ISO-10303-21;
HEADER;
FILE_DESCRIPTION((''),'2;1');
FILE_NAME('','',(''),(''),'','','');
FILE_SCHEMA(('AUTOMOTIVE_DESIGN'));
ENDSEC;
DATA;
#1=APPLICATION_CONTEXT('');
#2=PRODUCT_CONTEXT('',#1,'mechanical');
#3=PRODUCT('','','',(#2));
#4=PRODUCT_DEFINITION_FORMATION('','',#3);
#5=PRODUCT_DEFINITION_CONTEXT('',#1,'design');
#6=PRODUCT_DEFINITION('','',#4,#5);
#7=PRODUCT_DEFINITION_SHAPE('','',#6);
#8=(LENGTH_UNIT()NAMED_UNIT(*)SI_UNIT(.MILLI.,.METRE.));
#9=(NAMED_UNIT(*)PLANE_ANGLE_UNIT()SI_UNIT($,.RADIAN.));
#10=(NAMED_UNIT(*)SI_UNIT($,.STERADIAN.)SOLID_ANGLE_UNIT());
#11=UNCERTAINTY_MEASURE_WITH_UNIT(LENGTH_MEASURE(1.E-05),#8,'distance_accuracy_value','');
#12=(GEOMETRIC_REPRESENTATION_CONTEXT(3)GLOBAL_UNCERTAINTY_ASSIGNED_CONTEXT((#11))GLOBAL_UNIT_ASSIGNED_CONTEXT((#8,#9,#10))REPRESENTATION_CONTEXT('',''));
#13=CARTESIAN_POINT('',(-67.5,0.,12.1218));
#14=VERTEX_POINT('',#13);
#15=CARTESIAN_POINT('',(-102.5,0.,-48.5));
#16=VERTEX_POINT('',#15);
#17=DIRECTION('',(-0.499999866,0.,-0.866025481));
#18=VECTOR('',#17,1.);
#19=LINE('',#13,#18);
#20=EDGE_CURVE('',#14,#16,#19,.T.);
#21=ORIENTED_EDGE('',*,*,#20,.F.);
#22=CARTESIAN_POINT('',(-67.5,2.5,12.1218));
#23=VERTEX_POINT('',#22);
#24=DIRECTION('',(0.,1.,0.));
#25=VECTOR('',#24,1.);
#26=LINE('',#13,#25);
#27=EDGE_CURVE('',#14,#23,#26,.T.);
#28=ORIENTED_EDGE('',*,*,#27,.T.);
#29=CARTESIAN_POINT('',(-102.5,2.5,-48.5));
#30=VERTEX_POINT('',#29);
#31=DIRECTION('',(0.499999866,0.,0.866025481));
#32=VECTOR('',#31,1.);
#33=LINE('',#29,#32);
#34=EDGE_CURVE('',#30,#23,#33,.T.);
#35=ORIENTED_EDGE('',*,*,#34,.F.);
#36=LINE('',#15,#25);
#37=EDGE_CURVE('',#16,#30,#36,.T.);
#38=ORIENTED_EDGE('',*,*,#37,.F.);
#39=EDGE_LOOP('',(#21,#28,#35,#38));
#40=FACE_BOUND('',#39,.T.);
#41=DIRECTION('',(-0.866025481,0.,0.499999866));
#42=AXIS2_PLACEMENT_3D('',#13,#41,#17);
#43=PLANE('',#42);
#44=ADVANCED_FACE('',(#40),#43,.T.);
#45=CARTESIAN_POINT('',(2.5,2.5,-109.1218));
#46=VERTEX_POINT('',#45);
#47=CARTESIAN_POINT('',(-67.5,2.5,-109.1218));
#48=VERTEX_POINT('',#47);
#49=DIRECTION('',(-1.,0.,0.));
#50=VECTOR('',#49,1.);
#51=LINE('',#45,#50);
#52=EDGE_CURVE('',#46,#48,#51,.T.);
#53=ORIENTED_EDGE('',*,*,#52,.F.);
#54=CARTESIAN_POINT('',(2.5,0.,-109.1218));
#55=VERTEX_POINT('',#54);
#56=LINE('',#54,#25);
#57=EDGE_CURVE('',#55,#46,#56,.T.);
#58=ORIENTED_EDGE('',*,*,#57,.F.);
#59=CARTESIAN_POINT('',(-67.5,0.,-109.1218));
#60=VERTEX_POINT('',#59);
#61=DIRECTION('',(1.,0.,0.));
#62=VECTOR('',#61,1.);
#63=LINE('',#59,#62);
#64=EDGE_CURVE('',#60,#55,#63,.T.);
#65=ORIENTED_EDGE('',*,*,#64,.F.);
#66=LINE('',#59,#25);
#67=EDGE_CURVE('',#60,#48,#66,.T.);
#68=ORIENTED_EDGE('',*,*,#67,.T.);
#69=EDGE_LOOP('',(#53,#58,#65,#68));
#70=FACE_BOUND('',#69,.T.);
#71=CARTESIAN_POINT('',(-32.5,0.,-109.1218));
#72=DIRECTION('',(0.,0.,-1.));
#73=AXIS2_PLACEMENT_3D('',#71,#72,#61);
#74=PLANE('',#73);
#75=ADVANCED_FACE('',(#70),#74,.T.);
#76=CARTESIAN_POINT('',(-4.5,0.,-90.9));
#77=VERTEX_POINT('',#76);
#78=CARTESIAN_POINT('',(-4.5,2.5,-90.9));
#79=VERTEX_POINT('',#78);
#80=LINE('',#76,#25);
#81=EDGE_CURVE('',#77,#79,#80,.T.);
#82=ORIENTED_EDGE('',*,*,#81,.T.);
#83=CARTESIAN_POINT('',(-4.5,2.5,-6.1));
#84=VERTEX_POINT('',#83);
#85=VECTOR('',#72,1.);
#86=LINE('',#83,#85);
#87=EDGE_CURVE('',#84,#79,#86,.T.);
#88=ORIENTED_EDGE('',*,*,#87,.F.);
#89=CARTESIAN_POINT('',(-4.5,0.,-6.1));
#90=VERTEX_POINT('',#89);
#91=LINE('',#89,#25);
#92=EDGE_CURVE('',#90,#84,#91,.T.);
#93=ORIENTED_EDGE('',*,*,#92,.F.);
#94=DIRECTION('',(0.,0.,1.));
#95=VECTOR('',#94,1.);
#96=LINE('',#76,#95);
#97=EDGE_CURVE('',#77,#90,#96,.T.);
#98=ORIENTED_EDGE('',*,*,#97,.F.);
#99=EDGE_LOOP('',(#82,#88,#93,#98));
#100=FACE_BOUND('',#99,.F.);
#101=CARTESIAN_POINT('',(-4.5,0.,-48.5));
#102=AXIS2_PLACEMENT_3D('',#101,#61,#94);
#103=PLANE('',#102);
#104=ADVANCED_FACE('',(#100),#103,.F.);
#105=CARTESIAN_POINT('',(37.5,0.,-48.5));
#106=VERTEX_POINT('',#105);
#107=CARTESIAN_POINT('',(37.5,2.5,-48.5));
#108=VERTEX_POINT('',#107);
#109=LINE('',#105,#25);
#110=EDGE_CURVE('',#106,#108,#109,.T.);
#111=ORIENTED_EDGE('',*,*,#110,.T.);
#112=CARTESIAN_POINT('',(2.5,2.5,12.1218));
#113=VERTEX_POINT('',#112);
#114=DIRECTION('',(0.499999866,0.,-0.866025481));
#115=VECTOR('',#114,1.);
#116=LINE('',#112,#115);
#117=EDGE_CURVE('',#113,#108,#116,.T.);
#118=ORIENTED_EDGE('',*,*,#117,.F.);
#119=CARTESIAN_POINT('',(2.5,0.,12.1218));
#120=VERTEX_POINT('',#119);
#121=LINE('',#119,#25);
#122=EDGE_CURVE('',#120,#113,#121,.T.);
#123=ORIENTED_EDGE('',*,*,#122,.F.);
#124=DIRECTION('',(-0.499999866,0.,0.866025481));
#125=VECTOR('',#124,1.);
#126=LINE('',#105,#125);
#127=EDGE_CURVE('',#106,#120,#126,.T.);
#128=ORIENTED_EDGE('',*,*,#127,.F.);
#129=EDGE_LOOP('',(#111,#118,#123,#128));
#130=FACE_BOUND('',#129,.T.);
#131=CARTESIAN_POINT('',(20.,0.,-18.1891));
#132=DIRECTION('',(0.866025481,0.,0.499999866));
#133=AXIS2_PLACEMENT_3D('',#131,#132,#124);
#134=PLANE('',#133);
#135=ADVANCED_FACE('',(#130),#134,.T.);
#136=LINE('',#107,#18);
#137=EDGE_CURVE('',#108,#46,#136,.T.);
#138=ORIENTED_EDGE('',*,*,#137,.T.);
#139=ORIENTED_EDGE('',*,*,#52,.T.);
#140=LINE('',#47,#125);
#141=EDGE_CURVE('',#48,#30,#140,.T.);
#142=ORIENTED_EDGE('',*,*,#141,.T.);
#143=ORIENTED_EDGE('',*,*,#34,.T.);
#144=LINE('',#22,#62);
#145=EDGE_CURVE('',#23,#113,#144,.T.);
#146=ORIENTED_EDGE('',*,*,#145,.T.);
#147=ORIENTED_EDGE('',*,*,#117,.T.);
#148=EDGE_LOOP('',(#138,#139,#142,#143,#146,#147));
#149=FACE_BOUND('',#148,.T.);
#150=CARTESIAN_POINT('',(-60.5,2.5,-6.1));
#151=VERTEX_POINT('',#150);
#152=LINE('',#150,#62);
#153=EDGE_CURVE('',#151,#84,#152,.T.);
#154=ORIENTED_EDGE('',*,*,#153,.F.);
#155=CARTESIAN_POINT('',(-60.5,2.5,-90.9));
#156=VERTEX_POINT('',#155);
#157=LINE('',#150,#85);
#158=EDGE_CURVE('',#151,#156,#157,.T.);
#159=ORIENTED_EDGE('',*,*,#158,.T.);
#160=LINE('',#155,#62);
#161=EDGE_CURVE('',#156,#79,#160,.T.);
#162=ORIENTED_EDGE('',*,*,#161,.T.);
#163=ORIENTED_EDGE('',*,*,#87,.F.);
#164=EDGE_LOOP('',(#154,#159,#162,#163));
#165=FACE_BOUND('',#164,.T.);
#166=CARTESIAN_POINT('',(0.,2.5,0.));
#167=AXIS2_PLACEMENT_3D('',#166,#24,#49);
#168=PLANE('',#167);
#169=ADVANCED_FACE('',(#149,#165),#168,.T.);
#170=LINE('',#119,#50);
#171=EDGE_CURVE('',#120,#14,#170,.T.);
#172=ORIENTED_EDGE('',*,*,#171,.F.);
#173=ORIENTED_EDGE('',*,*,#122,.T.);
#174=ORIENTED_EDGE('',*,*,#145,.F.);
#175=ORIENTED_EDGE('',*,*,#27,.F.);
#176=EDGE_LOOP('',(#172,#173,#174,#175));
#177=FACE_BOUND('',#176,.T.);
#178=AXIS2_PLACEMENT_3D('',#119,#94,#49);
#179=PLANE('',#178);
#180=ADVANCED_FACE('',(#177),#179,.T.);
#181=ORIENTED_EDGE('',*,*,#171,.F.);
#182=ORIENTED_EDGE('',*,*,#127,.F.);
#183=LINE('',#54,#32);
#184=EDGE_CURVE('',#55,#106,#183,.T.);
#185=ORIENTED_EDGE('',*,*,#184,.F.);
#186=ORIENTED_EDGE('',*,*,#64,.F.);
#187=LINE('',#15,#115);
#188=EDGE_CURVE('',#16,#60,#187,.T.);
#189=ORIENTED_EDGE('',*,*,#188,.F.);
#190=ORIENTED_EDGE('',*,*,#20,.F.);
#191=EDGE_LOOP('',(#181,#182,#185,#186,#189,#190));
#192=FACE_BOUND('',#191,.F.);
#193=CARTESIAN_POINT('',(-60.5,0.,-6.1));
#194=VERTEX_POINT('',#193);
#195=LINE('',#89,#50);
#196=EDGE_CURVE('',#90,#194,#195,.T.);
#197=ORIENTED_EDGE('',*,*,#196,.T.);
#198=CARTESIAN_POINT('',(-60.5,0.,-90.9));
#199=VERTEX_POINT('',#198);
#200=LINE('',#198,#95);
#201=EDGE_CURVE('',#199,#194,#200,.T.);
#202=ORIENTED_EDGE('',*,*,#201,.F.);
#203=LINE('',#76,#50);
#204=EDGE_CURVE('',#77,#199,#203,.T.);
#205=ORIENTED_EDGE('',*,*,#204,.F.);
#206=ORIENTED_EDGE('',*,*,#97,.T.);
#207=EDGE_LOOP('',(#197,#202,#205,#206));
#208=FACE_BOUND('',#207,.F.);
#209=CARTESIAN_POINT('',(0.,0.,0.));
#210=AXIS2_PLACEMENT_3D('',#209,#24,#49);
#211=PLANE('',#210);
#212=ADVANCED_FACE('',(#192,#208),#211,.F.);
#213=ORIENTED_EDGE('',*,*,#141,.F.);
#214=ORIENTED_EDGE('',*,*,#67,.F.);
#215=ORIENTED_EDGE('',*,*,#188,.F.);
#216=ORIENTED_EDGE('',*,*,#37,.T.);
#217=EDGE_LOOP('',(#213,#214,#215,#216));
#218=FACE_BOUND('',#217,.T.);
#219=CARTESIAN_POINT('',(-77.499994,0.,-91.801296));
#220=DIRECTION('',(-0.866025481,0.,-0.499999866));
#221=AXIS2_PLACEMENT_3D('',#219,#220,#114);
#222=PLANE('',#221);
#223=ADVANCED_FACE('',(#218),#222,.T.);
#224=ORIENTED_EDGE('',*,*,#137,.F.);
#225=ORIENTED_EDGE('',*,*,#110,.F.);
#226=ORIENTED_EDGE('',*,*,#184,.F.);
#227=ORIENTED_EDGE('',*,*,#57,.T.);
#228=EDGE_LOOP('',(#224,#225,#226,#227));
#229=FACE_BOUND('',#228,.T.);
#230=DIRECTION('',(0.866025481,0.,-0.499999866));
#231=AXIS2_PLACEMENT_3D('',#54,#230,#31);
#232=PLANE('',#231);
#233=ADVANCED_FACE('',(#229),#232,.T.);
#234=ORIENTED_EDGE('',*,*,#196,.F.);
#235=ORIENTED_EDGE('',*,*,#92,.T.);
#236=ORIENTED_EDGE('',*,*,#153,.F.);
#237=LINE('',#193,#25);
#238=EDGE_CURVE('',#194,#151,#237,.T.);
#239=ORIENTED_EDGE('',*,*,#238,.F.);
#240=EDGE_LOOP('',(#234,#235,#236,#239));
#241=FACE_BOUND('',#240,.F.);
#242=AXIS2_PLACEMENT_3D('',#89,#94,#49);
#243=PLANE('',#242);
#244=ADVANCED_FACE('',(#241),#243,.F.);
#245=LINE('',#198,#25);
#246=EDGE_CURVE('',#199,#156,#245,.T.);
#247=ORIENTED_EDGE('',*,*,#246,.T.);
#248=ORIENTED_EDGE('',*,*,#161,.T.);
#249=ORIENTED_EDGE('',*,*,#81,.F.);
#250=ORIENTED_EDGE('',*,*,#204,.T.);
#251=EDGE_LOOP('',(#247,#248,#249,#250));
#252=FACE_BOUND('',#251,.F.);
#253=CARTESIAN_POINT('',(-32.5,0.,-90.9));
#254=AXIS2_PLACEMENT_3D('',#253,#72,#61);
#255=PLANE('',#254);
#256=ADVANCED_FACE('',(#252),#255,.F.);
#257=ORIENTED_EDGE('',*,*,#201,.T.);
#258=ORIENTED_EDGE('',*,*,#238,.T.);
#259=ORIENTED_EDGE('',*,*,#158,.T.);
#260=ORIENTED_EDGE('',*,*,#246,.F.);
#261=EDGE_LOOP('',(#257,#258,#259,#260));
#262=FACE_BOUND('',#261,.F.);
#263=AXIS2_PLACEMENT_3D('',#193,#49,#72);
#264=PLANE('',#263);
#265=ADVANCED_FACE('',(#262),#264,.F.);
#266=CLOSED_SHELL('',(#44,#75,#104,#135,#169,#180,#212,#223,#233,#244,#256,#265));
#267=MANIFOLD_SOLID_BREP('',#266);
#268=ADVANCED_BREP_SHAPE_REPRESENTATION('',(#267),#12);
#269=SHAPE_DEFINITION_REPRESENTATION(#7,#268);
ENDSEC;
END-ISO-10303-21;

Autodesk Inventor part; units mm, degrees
ref_plane "YZ Plane" through (0, 0, 0) normal (1, 0, 0) x (0, 1, 0)
ref_plane "XZ Plane" through (0, 0, 0) normal (0, 1, 0) x (-1, 0, 0)
ref_plane "XY Plane" through (0, 0, 0) normal (0, 0, 1) x (1, 0, 0)
sketch "Sketch6" plane through (0, 0, 0) normal (0, 1, 0) x (-1, 0, 0)
  line L0 (4.5, -6.1) -> (60.5, -6.1)
  line L1 (60.5, -6.1) -> (60.5, -90.9)
  line L2 (4.5, -90.9) -> (4.5, -6.1)
  line L3 (65.1201, -97) -> (0, -97)
  line L4 (0, -97) -> (0, 0)
  line L5 (0, 0) -> (65.1201, 0)
  line L6 (65.1201, 0) -> (65.1201, -97)
  line L7 (60.5, -90.9) -> (4.5, -90.9)
  line L8 (102.5, -48.5) -> (-37.5, -48.5)
  line L9 (32.5, -118.5) -> (32.5, 21.5)
  circle A0 centre (32.5, -48.5) radius 70
  line L10 (102.5, -48.5) -> (67.5, -109.1218)
  line L11 (67.5, -109.1218) -> (-2.5, -109.1218)
  line L12 (-2.5, -109.1218) -> (-37.5, -48.5)
  line L13 (-37.5, -48.5) -> (-2.5, 12.1218)
  line L14 (-2.5, 12.1218) -> (67.5, 12.1218)
  line L15 (67.5, 12.1218) -> (102.5, -48.5)
  line L16 (32.5, 12.1218) -> (85, -18.1891)
  line L17 (85, -18.1891) -> (85, -78.8109)
  line L18 (85, -78.8109) -> (32.5, -109.1218)
  line L19 (32.5, -109.1218) -> (-20, -78.8109)
  line L20 (-20, -78.8109) -> (-20, -18.1891)
  line L21 (-20, -18.1891) -> (32.5, 12.1218)
  line L22 (32.5, 12.1218) -> (47.5, 12.1218)
  line L23 (47.5, 12.1218) -> (47.5, 5.6218)
  line L24 (47.5, 5.6218) -> (17.5, 5.6218)
  line L25 (17.5, 5.6218) -> (17.5, 12.1218)
  line L26 (47.5, 5.6218) -> (56.6924, 5.6218) construction
  line L27 (17.5, 8.8718) -> (20, 8.8718)
  line L28 (47.5, 8.8718) -> (45, 8.8718)
  line L29 (45, 8.8718) -> (45, 10.1218)
  line L30 (45, 10.1218) -> (20, 10.1218)
  line L31 (20, 10.1218) -> (20, 7.6218)
  line L32 (20, 7.6218) -> (45, 7.6218)
  line L33 (45, 7.6218) -> (45, 10.1218)
  line L34 (67.5, 12.1218) -> (32.5, -48.5)
  line L35 (32.5, -48.5) -> (67.5, -109.1218)
  line L36 (47.5, 5.6218) -> (56.6924, 5.6218)
  line L37 (17.5, 5.6218) -> (11, 5.6218)
  line L38 (17.5, 12.1218) -> (11, 5.6218)
  line L39 (17.5, 12.1218) -> (26.6924, 12.1218) construction
  line L40 (47.5, 12.1218) -> (54, 5.6218)
  line L41 (85, -18.1891) -> (77.5, -5.1987)
  line L42 (77.5, -5.1987) -> (71.8708, -8.4487)
  line L43 (71.8708, -8.4487) -> (86.8708, -34.4295)
  line L44 (86.8708, -34.4295) -> (92.5, -31.1795)
  line L45 (71.8708, -8.4487) -> (67.2746, -0.4879) construction
  line L46 (89.6854, -32.8045) -> (88.4354, -30.6394)
  line L47 (74.6854, -6.8237) -> (75.9354, -8.9888)
  line L48 (75.9354, -8.9888) -> (77.0179, -8.3638)
  line L49 (77.0179, -8.3638) -> (89.5179, -30.0144)
  line L50 (89.5179, -30.0144) -> (87.3529, -31.2644)
  line L51 (87.3529, -31.2644) -> (74.8529, -9.6138)
  line L52 (74.8529, -9.6138) -> (77.0179, -8.3638)
  line L53 (71.8708, -8.4487) -> (67.2746, -0.4879)
  line L54 (86.8708, -34.4295) -> (90.1208, -40.0587)
  line L55 (92.5, -31.1795) -> (90.1208, -40.0587)
  line L56 (92.5, -31.1795) -> (87.9038, -23.2187) construction
  line L57 (77.5, -5.1987) -> (68.6208, -2.8196)
  line L58 (71.8708, -88.5513) -> (67.2746, -96.5121) construction
  line L59 (74.6854, -90.1763) -> (75.9354, -88.0112)
  line L60 (74.8529, -87.3862) -> (77.0179, -88.6362)
  line L61 (77.5, -91.8013) -> (71.8708, -88.5513)
  line L62 (77.5, -91.8013) -> (68.6208, -94.1804)
  line L63 (71.8708, -88.5513) -> (67.2746, -96.5121)
  line L64 (77.0179, -88.6362) -> (89.5179, -66.9856)
  line L65 (87.3529, -65.7356) -> (74.8529, -87.3862)
  line L66 (71.8708, -88.5513) -> (86.8708, -62.5705)
  line L67 (89.5179, -66.9856) -> (87.3529, -65.7356)
  line L68 (89.6854, -64.1955) -> (88.4354, -66.3606)
  line L69 (86.8708, -62.5705) -> (92.5, -65.8205)
  line L70 (86.8708, -62.5705) -> (90.1208, -56.9413)
  line L71 (92.5, -65.8205) -> (90.1208, -56.9413)
  line L72 (94.9944, -48.5) -> (63.7472, -102.6218)
  line L73 (63.7472, -102.6218) -> (1.2528, -102.6218)
  line L74 (1.2528, -102.6218) -> (-29.9944, -48.5)
  line L75 (-29.9944, -48.5) -> (1.2528, 5.6218)
  line L76 (1.2528, 5.6218) -> (63.7472, 5.6218)
  line L77 (63.7472, 5.6218) -> (94.9944, -48.5)
  line L78 (74.8529, -87.3862) -> (73.1208, -86.3862)
  line L79 (87.3529, -65.7356) -> (85.6208, -64.7356)
  line L80 (87.3529, -31.2644) -> (85.6208, -32.2644)
  line L81 (74.8529, -9.6138) -> (73.1208, -10.6138)
  line L82 (45, 7.6218) -> (45, 5.6218)
  line L83 (20, 7.6218) -> (20, 5.6218)
  line L84 (60.5, -90.9) -> (4.4985, -90.9)
  line L85 (4.4985, -90.9) -> (4.4985, -97)
  line L86 (4.4985, -97) -> (60.5, -97)
  line L87 (60.5, -97) -> (60.5, -90.9)
  line L88 (60.5, -6.1) -> (4.4985, -6.1)
  line L89 (4.4985, -6.1) -> (4.4985, 0)
  line L90 (4.4985, 0) -> (60.5, 0)
  line L91 (60.5, 0) -> (60.5, -6.1)
  line L92 (-29.9944, -48.5) -> (-22.9944, -48.5)
  line L93 (-29.9944, -48.5) -> (-28.2944, -48.5)
  line L94 (-28.2944, -48.5) -> (-22.9944, -48.5)
  circle A1 centre (-26.9944, -48.5) radius 1.5
  line L95 (-29.9944, -48.5) -> (-23.9944, -48.5)
  line L96 (-23.9944, -48.5) -> (-26.9944, -53.6962)
  line L97 (-23.9944, -48.5) -> (-26.9944, -43.3038)
  point P0 (-27.5473, -52.7386)
  point P1 (-28.2775, -45.5261)
  dimension "d44" = 97
  dimension "d77" = 140
  dimension "d87" = 15
  dimension "d88" = 6.5
  dimension "d89" = 30
  dimension "d91" = 2.5
  dimension "d92" = 2.5
  dimension "d95" = 1.25
  dimension "d96" = 25
  dimension "d97" = 2.5
  dimension "d98" = 25
  dimension "d99" = 135
  dimension "d100" = 0
  dimension "d114" = 1.7
  dimension "d117" = 3
  dimension "d121" = 3
  dimension "d123" = 6
extrude "Fronte" add sketch "Sketch6" along normal blind 2.5 contours L89 L21 L5 L9 L0 | L2 L8 L4 L21 L89 | L9 L5 L16 L34 L0 | L2 L85 L19 L4 L8 | L89 L5 L21 | L21 L4 L5 L89 | L34 L16 L91 L0 | L9 L24 L16 L5 | L5 L21 L24 L9 | L7 L9 L3 L19 L85 | L8 L20 L75 L21 L4 | L4 L19 L74 L20 L8 | L21 L75 L76 L37 L24 L5 L4 | L91 L16 L6 L8 L1 | L34 L91 L16 | L16 L5 L34 | L8 L6 L18 L87 L1 | L7 L35 L18 L3 L9 | L7 L87 L18 L35 | L16 L24 L36 L76 L34 L5 | L24 L21 L32 L9 | L9 L32 L16 L24 | L85 L3 L4 L19 | L19 L3 L85 | L4 L3 L19 L73 L74 | L20 L74 L96 L8 | L8 L97 L75 L20 | L75 L20 L21 | L21 L13 L14 L38 L76 L75 | L24 L83 L32 L21 | L91 L5 L6 L16 | L34 L77 L53 L43 L16 L6 L5 | L8 L17 L66 L18 L6 | L6 L16 L43 L17 L8 | L9 L73 L19 L3 | L3 L18 L73 L9 | L35 L3 L18 | L18 L87 L35 | L16 L32 L82 L24 | L32 L21 L30 L9 | L9 L30 L16 L32 | L74 L73 L19 L11 L12 | L19 L20 L74 | L20 L12 L8 L74 | L75 L8 L13 L20 | L32 L31 L30 L21 | L24 L25 L27 L31 L83 | L76 L36 L40 L14 L34 | L34 L15 L57 L53 L77 | L18 L6 L3 L87 | L18 L66 L63 L72 L35 L3 L6 | L17 L43 L54 L77 L8 | L8 L72 L70 L66 L17 | L3 L35 L73 L18 | L73 L18 L9 | L9 L19 L73 | L16 L30 L29 L33 L32 | L82 L33 L28 L23 L24 | L30 L21 L9 | L9 L16 L30 | L96 L74 L8 A1 | L8 A1 L75 L97 | L38 L25 L37 | L30 L31 L27 L25 L14 L21 | L43 L81 L51 L16 | L16 L51 L17 L43 | L66 L17 L65 L18 | L18 L65 L78 L66 | L77 L55 L15 L8 | L8 L10 L71 L72 | L17 L51 L80 L43 | L66 L79 L65 L17 | L73 L35 L11 L18 | L72 L63 L62 L10 L35 | L16 L14 L23 L28 L29 L30 | L23 L40 L36 | A1 L8 | L8 A1 | L51 L52 L48 L49 L16 | L16 L49 L17 L51 | L43 L42 L47 L52 L81 | L15 L16 L49 L48 L47 L42 | L42 L53 L57 | L65 L17 L64 L18 | L18 L64 L60 L65 | L78 L60 L59 L61 L66 | L71 L69 L70 | L54 L44 L55 | L17 L49 L50 L51 | L80 L50 L46 L44 L43 | L65 L67 L64 L17 | L66 L69 L68 L67 L79 | L16 L17 L49 | L10 L17 L64 L67 L68 L69 | L44 L46 L50 L49 L17 L15 | L64 L17 L18 | L18 L10 L61 L59 L60 L64 | L61 L62 L63
properties part number "FrontalinoWood" material "Wood (Walnut)"
